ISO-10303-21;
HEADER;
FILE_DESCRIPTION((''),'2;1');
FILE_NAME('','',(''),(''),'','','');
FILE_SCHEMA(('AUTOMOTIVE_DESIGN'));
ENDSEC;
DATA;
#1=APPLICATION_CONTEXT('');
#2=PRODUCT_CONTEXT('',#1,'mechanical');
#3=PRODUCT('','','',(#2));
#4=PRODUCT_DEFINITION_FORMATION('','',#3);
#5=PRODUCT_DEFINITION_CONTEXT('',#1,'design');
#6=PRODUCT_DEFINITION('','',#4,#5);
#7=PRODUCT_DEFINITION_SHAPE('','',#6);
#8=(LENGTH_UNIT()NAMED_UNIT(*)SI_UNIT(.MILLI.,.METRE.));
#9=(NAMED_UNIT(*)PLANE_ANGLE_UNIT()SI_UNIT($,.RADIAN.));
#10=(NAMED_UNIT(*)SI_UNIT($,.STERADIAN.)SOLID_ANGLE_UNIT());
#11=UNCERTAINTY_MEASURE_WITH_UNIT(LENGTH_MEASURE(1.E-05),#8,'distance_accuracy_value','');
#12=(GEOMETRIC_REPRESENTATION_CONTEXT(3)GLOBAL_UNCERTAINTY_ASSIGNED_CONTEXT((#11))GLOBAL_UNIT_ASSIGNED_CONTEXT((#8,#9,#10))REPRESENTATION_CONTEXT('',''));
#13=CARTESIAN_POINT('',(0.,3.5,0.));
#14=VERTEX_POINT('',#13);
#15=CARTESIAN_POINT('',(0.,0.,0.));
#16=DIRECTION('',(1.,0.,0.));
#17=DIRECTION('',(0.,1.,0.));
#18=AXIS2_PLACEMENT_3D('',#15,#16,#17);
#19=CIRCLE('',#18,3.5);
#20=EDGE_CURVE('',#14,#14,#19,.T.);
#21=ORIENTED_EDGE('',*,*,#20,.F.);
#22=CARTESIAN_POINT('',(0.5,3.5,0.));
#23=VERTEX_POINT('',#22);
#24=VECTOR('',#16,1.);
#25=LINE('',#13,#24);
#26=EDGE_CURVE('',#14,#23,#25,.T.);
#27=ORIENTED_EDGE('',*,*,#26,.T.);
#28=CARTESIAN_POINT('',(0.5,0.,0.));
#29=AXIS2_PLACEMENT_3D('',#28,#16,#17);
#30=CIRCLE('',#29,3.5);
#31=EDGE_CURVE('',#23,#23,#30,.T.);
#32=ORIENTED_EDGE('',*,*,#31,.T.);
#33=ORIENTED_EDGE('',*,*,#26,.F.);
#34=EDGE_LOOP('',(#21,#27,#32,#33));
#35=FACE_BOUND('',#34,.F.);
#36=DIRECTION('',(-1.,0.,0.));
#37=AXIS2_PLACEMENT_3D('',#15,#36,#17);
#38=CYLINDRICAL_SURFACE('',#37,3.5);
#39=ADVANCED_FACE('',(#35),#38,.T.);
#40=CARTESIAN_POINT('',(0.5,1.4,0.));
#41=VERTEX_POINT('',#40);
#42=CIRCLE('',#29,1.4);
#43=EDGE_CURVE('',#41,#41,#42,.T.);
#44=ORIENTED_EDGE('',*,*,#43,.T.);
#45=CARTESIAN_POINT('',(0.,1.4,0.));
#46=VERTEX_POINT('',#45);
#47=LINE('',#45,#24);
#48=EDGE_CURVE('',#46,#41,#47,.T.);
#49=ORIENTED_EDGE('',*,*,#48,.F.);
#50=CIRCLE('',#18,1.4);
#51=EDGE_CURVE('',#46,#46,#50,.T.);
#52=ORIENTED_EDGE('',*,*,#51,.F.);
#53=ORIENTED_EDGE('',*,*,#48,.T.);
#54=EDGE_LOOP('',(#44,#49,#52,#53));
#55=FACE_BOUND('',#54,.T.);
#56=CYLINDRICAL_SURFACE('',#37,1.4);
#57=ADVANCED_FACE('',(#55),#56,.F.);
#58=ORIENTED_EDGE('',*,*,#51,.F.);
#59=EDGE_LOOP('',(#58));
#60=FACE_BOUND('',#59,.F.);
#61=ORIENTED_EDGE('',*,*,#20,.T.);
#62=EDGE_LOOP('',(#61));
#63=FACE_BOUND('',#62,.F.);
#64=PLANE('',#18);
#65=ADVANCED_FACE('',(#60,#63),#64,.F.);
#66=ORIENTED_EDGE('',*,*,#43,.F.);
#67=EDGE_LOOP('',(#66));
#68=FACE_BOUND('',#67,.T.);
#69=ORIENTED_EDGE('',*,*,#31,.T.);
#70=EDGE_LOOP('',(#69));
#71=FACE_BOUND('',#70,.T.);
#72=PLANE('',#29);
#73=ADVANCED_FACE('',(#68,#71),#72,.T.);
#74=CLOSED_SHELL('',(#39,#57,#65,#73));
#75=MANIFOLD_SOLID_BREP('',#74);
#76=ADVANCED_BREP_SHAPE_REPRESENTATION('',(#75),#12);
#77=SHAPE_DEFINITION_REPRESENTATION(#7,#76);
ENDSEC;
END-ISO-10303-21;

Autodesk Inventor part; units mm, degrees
ref_plane "YZ Plane" through (0, 0, 0) normal (1, 0, 0) x (0, 1, 0)
ref_plane "XZ Plane" through (0, 0, 0) normal (0, 1, 0) x (-1, 0, 0)
sketch "Sketch" plane through (0, 0, 0) normal (1, 0, 0) x (0, 1, 0)
  circle A0 centre (0, 0) radius 3.5
  circle A1 centre (0, 0) radius 1.4
  dimension "d0" = 2.8
  dimension "d1" = 7
extrude "Body" add sketch "Sketch" along normal blind 0.5
ref_plane "Work Plane1" through (0, 0, 0) normal (0, 0, 1) x (1, 0, 0)
equation "\"d0\" = SD1"
equation "\"d1\" = SD2"
equation "\"d2\" = SD"
equation "\"SD1\" = 2.8"
equation "\"SD2\" = 7"
equation "\"SD\" = 0.5"
equation "\"NND\" = 2.6"
properties part number "DIN 125 - A 2.8" material "Steel, Mild"
